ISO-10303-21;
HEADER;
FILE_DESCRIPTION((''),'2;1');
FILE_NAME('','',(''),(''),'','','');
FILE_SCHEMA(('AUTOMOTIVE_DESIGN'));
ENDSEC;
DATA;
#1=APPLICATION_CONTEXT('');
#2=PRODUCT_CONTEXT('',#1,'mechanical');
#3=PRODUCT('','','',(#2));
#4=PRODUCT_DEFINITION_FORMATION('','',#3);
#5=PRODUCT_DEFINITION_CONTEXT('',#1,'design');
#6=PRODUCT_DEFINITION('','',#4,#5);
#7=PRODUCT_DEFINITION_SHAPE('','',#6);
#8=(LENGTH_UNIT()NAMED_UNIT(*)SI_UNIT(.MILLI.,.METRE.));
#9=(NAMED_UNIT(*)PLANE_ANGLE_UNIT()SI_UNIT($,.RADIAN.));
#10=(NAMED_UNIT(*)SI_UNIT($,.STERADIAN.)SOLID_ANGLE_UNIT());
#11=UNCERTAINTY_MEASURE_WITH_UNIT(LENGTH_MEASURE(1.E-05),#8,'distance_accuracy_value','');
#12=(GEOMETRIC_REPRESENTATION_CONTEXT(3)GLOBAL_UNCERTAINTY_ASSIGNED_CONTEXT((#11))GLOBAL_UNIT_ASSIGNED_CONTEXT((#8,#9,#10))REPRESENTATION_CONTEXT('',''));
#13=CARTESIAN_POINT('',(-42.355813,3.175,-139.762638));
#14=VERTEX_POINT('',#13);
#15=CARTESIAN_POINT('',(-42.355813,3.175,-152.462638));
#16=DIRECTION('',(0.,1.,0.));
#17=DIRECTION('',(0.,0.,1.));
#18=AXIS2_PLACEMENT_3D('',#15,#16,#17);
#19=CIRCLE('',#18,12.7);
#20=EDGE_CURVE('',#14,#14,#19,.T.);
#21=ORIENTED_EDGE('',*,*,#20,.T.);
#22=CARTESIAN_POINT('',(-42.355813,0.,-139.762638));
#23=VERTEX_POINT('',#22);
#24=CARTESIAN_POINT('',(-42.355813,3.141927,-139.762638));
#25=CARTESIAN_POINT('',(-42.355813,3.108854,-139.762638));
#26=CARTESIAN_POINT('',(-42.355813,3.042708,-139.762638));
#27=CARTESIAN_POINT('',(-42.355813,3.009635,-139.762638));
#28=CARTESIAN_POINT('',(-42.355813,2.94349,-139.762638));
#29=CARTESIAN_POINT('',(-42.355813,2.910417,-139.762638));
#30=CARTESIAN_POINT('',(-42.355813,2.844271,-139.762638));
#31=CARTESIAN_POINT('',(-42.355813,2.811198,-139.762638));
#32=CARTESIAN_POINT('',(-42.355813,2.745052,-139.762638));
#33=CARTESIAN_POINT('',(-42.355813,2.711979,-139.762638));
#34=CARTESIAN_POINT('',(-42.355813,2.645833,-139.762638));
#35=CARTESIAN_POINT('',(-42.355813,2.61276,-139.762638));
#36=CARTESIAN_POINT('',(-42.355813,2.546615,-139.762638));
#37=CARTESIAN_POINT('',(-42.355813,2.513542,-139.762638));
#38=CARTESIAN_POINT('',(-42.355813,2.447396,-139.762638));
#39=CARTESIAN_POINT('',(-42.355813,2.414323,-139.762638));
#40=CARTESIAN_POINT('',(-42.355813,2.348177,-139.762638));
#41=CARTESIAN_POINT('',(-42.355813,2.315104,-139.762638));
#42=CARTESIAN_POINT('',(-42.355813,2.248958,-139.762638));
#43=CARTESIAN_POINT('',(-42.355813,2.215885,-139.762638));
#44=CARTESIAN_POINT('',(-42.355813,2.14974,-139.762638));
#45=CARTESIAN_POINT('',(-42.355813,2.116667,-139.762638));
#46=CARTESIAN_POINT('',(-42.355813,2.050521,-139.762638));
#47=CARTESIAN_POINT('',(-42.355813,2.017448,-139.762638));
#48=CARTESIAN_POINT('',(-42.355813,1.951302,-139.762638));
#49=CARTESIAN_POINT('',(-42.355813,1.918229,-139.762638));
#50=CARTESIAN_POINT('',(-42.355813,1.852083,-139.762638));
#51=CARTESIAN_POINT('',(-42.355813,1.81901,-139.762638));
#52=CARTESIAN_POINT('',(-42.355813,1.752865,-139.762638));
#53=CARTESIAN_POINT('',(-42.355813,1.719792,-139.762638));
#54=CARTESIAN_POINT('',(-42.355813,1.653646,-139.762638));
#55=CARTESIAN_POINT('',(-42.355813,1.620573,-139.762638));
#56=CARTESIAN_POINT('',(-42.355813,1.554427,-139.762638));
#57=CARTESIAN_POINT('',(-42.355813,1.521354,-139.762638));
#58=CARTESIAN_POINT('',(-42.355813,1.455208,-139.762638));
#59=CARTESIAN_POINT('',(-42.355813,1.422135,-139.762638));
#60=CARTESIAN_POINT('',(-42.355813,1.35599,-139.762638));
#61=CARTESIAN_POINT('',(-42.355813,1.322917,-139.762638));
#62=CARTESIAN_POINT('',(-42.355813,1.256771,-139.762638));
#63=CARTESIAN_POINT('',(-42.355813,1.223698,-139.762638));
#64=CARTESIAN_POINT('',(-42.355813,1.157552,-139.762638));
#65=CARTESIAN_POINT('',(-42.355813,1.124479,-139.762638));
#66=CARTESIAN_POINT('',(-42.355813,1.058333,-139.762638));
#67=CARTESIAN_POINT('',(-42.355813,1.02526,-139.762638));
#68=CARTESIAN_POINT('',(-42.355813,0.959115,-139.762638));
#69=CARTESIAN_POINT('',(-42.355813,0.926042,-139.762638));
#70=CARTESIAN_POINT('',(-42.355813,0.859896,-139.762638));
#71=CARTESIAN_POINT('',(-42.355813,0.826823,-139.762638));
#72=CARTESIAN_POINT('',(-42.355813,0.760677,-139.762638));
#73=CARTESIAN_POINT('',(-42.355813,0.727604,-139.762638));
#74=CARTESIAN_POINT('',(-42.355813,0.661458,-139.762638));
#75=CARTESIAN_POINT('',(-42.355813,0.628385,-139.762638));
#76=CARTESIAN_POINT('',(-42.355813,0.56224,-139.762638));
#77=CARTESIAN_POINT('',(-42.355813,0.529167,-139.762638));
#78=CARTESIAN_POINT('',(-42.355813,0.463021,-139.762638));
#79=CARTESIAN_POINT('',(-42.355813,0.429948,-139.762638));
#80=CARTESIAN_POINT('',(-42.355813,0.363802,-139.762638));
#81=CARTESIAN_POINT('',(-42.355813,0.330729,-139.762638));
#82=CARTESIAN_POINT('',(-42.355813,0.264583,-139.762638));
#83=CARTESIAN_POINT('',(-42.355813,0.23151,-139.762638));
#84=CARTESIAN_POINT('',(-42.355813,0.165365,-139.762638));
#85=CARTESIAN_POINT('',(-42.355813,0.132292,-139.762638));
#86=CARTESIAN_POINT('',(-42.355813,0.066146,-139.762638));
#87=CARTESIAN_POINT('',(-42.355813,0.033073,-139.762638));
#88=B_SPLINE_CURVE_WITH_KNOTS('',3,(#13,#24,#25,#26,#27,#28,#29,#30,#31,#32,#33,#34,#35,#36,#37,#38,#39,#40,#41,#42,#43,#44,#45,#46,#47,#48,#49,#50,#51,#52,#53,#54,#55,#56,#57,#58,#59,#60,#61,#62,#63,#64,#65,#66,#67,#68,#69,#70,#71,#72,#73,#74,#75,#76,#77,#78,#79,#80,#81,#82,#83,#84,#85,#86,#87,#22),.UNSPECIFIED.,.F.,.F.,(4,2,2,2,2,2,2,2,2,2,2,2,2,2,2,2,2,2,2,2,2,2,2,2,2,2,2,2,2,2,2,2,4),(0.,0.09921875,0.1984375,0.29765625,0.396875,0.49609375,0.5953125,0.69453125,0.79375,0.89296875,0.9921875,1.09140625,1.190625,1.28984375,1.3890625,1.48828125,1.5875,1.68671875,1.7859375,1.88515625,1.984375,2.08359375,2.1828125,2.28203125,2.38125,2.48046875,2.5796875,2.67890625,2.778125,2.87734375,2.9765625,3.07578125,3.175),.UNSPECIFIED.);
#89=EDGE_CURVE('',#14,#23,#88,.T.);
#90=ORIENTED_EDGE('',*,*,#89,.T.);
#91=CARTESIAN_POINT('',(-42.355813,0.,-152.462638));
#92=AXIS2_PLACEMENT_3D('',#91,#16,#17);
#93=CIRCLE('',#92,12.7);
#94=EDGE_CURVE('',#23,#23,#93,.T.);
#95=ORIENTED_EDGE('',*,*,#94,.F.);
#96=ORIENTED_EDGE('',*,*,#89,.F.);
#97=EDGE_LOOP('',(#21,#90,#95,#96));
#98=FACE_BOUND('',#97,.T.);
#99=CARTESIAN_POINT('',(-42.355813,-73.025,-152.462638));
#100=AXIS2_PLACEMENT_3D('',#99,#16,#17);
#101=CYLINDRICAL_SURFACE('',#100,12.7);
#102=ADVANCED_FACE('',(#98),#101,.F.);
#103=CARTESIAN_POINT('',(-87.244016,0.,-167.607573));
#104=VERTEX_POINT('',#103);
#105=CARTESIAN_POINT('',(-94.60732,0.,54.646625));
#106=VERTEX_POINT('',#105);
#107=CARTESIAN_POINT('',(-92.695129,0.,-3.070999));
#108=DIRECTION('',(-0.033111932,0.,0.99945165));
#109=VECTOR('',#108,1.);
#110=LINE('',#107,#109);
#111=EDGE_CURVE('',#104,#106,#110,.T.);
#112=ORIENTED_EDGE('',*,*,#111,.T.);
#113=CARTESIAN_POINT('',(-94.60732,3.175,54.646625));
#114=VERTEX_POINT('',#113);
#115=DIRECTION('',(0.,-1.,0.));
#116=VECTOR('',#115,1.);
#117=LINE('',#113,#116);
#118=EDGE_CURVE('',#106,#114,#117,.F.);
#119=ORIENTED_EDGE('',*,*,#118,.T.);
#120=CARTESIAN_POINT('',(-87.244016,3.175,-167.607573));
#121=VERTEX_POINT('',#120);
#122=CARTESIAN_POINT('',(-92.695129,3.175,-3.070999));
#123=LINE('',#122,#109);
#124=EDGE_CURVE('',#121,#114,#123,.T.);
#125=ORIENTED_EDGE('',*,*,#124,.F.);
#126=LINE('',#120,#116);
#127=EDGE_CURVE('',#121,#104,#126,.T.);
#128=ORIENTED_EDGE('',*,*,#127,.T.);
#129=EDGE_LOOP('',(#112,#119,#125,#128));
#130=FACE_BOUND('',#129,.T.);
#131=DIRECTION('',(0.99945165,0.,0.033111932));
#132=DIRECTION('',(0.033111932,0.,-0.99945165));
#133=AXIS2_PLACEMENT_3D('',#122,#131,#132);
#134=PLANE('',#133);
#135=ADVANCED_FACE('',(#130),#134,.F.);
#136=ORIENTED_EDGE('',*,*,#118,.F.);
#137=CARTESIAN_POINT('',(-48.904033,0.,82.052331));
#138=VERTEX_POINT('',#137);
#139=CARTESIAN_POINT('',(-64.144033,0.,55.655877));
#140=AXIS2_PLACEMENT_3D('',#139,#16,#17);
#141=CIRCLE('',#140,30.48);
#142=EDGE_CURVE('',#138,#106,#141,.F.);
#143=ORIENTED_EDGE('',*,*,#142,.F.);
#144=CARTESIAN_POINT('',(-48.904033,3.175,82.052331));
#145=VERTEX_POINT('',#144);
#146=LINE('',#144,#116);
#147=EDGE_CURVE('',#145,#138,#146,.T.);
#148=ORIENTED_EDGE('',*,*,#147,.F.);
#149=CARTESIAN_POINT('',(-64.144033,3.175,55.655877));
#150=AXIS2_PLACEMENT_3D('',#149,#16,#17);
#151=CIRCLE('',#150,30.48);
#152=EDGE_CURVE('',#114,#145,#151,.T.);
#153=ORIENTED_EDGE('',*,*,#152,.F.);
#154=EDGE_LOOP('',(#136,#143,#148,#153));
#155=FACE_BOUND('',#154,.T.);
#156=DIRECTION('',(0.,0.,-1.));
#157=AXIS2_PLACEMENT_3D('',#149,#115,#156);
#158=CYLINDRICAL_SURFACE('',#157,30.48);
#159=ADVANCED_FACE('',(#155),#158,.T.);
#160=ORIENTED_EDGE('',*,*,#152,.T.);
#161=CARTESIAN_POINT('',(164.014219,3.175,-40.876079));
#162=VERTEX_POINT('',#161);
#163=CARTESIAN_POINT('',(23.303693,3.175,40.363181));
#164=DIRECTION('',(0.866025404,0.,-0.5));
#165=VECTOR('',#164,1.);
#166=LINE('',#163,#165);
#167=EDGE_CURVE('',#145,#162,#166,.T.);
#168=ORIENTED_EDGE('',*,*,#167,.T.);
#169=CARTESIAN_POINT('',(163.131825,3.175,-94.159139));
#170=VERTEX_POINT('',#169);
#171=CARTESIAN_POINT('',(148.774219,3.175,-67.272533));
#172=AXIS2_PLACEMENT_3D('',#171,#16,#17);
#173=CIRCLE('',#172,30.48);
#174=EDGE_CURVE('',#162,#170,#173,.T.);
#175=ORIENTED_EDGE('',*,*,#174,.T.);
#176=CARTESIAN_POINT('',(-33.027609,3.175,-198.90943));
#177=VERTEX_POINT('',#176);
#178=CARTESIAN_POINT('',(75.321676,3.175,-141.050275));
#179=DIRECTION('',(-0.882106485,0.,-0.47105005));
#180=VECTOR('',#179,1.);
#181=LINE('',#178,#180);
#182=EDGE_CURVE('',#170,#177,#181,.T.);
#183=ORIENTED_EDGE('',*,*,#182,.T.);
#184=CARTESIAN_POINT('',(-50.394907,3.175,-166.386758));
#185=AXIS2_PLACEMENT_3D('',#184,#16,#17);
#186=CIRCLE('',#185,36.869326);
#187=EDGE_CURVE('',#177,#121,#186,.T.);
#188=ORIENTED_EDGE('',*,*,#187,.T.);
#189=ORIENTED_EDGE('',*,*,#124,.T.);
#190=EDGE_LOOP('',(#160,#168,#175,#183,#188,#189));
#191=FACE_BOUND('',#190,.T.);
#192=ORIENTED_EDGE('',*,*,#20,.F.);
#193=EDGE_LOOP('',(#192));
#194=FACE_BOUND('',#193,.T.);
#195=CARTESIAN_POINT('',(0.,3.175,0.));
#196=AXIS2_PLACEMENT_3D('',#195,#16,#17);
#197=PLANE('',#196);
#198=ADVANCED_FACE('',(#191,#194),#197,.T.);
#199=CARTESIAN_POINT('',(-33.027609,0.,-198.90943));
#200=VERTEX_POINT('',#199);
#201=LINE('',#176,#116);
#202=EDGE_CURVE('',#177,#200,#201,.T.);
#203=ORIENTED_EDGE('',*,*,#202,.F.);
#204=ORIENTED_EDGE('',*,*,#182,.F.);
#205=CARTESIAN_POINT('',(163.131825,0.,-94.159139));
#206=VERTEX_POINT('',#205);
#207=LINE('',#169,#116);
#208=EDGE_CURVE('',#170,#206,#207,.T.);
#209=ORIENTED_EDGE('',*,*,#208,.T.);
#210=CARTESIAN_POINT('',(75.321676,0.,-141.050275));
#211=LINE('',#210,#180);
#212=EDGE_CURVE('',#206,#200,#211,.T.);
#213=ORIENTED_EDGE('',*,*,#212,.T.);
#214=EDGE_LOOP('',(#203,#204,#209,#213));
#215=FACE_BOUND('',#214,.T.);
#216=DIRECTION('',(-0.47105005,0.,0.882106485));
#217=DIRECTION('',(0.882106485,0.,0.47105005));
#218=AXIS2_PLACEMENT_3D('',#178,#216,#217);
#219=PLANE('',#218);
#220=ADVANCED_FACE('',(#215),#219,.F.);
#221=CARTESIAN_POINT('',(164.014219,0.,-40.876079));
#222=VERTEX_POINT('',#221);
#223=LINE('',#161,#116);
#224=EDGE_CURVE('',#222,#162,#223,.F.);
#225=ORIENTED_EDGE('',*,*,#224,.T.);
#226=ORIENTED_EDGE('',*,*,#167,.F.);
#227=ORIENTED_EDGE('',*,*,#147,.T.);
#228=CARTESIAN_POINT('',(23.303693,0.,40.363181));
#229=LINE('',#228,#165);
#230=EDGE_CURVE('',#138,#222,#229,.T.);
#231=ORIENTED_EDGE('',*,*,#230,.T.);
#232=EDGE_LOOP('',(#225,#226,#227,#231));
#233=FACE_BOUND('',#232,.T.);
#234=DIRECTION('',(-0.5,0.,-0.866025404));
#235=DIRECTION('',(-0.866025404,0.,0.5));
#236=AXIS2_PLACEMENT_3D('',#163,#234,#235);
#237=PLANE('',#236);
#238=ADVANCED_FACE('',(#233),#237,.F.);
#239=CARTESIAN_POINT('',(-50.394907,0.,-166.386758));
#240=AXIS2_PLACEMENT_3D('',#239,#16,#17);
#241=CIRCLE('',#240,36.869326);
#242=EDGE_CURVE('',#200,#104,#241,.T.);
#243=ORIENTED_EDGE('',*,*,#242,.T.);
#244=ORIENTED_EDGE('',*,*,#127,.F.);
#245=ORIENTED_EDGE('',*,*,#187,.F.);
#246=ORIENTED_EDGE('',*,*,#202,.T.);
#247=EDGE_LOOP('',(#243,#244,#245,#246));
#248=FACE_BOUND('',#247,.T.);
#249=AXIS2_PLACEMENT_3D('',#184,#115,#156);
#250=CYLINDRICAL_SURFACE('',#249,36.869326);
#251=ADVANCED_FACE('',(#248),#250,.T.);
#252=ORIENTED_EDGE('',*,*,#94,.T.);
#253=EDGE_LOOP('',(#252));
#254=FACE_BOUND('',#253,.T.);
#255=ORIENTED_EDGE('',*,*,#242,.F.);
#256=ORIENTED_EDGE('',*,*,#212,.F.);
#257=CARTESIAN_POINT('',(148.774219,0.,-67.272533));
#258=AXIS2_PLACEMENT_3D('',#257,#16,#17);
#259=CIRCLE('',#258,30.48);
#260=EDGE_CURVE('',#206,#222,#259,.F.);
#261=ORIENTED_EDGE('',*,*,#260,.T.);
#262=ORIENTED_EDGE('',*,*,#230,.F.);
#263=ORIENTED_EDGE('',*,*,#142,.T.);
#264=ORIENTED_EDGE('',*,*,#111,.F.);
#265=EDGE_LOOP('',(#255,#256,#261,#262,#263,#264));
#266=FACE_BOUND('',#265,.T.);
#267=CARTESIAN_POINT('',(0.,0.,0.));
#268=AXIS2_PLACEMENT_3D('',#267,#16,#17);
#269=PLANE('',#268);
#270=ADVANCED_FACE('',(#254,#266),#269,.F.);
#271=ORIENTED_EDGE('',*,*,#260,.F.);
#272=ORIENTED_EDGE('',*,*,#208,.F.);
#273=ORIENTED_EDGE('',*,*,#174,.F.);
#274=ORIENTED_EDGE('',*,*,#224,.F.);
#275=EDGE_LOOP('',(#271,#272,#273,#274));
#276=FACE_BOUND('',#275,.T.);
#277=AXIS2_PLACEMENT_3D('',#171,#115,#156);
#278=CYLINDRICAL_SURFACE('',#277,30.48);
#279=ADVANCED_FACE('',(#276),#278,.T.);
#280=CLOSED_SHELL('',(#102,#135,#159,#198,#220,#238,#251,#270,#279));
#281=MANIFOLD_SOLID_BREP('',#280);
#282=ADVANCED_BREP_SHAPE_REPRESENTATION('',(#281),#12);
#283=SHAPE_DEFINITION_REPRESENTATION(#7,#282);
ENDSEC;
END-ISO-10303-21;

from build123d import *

# Parameters (mm, degrees)
BOSS_EXTRUDE1_DEPTH = 3.175
SKETCH2_R           = 12.7
CUT_EXTRUDE1_DEPTH  = 76.2
FILLET1_R           = 30.48


with BuildPart() as part:
    # Sketch1 → Boss-Extrude1 (new body)
    with BuildSketch(Plane(origin=(0, 0, 0), x_dir=(1, 0, 0), z_dir=(0, 1, 0))):
        with BuildLine():
            Line((211.534409722, 68.311873697), (-33.027609136, 198.909430038))
            ThreePointArc((-33.027609136, 198.909430038), (-68.829570139, 198.316531428), (-87.244015898, 167.607572999))
            Line((-87.244015898, 167.607572999), (-96.424223864, -109.488126303))
            Line((-96.424223864, -109.488126303), (211.534409722, 68.311873697))
        make_face()
    extrude(amount=BOSS_EXTRUDE1_DEPTH)

    # Sketch2 → Cut-Extrude1 (cut)
    with BuildSketch(Plane(origin=(0, 3.175, 0), x_dir=(1, 0, 0), z_dir=(0, 1, 0))):
        with Locations(Location((-42.355812517, 152.46263816, 0), (0, 0, 270))):
            Circle(SKETCH2_R)
    extrude(amount=-CUT_EXTRUDE1_DEPTH, mode=Mode.SUBTRACT)

    # Fillet1
    fillet1_edges = [part.edges().sort_by_distance(p)[0] for p in [
        (211.534409722, 1.5875, -68.311873697),
        (-96.424223864, 1.5875, 109.488126303),
    ]]
    fillet(fillet1_edges, radius=FILLET1_R)


solid = part.part
